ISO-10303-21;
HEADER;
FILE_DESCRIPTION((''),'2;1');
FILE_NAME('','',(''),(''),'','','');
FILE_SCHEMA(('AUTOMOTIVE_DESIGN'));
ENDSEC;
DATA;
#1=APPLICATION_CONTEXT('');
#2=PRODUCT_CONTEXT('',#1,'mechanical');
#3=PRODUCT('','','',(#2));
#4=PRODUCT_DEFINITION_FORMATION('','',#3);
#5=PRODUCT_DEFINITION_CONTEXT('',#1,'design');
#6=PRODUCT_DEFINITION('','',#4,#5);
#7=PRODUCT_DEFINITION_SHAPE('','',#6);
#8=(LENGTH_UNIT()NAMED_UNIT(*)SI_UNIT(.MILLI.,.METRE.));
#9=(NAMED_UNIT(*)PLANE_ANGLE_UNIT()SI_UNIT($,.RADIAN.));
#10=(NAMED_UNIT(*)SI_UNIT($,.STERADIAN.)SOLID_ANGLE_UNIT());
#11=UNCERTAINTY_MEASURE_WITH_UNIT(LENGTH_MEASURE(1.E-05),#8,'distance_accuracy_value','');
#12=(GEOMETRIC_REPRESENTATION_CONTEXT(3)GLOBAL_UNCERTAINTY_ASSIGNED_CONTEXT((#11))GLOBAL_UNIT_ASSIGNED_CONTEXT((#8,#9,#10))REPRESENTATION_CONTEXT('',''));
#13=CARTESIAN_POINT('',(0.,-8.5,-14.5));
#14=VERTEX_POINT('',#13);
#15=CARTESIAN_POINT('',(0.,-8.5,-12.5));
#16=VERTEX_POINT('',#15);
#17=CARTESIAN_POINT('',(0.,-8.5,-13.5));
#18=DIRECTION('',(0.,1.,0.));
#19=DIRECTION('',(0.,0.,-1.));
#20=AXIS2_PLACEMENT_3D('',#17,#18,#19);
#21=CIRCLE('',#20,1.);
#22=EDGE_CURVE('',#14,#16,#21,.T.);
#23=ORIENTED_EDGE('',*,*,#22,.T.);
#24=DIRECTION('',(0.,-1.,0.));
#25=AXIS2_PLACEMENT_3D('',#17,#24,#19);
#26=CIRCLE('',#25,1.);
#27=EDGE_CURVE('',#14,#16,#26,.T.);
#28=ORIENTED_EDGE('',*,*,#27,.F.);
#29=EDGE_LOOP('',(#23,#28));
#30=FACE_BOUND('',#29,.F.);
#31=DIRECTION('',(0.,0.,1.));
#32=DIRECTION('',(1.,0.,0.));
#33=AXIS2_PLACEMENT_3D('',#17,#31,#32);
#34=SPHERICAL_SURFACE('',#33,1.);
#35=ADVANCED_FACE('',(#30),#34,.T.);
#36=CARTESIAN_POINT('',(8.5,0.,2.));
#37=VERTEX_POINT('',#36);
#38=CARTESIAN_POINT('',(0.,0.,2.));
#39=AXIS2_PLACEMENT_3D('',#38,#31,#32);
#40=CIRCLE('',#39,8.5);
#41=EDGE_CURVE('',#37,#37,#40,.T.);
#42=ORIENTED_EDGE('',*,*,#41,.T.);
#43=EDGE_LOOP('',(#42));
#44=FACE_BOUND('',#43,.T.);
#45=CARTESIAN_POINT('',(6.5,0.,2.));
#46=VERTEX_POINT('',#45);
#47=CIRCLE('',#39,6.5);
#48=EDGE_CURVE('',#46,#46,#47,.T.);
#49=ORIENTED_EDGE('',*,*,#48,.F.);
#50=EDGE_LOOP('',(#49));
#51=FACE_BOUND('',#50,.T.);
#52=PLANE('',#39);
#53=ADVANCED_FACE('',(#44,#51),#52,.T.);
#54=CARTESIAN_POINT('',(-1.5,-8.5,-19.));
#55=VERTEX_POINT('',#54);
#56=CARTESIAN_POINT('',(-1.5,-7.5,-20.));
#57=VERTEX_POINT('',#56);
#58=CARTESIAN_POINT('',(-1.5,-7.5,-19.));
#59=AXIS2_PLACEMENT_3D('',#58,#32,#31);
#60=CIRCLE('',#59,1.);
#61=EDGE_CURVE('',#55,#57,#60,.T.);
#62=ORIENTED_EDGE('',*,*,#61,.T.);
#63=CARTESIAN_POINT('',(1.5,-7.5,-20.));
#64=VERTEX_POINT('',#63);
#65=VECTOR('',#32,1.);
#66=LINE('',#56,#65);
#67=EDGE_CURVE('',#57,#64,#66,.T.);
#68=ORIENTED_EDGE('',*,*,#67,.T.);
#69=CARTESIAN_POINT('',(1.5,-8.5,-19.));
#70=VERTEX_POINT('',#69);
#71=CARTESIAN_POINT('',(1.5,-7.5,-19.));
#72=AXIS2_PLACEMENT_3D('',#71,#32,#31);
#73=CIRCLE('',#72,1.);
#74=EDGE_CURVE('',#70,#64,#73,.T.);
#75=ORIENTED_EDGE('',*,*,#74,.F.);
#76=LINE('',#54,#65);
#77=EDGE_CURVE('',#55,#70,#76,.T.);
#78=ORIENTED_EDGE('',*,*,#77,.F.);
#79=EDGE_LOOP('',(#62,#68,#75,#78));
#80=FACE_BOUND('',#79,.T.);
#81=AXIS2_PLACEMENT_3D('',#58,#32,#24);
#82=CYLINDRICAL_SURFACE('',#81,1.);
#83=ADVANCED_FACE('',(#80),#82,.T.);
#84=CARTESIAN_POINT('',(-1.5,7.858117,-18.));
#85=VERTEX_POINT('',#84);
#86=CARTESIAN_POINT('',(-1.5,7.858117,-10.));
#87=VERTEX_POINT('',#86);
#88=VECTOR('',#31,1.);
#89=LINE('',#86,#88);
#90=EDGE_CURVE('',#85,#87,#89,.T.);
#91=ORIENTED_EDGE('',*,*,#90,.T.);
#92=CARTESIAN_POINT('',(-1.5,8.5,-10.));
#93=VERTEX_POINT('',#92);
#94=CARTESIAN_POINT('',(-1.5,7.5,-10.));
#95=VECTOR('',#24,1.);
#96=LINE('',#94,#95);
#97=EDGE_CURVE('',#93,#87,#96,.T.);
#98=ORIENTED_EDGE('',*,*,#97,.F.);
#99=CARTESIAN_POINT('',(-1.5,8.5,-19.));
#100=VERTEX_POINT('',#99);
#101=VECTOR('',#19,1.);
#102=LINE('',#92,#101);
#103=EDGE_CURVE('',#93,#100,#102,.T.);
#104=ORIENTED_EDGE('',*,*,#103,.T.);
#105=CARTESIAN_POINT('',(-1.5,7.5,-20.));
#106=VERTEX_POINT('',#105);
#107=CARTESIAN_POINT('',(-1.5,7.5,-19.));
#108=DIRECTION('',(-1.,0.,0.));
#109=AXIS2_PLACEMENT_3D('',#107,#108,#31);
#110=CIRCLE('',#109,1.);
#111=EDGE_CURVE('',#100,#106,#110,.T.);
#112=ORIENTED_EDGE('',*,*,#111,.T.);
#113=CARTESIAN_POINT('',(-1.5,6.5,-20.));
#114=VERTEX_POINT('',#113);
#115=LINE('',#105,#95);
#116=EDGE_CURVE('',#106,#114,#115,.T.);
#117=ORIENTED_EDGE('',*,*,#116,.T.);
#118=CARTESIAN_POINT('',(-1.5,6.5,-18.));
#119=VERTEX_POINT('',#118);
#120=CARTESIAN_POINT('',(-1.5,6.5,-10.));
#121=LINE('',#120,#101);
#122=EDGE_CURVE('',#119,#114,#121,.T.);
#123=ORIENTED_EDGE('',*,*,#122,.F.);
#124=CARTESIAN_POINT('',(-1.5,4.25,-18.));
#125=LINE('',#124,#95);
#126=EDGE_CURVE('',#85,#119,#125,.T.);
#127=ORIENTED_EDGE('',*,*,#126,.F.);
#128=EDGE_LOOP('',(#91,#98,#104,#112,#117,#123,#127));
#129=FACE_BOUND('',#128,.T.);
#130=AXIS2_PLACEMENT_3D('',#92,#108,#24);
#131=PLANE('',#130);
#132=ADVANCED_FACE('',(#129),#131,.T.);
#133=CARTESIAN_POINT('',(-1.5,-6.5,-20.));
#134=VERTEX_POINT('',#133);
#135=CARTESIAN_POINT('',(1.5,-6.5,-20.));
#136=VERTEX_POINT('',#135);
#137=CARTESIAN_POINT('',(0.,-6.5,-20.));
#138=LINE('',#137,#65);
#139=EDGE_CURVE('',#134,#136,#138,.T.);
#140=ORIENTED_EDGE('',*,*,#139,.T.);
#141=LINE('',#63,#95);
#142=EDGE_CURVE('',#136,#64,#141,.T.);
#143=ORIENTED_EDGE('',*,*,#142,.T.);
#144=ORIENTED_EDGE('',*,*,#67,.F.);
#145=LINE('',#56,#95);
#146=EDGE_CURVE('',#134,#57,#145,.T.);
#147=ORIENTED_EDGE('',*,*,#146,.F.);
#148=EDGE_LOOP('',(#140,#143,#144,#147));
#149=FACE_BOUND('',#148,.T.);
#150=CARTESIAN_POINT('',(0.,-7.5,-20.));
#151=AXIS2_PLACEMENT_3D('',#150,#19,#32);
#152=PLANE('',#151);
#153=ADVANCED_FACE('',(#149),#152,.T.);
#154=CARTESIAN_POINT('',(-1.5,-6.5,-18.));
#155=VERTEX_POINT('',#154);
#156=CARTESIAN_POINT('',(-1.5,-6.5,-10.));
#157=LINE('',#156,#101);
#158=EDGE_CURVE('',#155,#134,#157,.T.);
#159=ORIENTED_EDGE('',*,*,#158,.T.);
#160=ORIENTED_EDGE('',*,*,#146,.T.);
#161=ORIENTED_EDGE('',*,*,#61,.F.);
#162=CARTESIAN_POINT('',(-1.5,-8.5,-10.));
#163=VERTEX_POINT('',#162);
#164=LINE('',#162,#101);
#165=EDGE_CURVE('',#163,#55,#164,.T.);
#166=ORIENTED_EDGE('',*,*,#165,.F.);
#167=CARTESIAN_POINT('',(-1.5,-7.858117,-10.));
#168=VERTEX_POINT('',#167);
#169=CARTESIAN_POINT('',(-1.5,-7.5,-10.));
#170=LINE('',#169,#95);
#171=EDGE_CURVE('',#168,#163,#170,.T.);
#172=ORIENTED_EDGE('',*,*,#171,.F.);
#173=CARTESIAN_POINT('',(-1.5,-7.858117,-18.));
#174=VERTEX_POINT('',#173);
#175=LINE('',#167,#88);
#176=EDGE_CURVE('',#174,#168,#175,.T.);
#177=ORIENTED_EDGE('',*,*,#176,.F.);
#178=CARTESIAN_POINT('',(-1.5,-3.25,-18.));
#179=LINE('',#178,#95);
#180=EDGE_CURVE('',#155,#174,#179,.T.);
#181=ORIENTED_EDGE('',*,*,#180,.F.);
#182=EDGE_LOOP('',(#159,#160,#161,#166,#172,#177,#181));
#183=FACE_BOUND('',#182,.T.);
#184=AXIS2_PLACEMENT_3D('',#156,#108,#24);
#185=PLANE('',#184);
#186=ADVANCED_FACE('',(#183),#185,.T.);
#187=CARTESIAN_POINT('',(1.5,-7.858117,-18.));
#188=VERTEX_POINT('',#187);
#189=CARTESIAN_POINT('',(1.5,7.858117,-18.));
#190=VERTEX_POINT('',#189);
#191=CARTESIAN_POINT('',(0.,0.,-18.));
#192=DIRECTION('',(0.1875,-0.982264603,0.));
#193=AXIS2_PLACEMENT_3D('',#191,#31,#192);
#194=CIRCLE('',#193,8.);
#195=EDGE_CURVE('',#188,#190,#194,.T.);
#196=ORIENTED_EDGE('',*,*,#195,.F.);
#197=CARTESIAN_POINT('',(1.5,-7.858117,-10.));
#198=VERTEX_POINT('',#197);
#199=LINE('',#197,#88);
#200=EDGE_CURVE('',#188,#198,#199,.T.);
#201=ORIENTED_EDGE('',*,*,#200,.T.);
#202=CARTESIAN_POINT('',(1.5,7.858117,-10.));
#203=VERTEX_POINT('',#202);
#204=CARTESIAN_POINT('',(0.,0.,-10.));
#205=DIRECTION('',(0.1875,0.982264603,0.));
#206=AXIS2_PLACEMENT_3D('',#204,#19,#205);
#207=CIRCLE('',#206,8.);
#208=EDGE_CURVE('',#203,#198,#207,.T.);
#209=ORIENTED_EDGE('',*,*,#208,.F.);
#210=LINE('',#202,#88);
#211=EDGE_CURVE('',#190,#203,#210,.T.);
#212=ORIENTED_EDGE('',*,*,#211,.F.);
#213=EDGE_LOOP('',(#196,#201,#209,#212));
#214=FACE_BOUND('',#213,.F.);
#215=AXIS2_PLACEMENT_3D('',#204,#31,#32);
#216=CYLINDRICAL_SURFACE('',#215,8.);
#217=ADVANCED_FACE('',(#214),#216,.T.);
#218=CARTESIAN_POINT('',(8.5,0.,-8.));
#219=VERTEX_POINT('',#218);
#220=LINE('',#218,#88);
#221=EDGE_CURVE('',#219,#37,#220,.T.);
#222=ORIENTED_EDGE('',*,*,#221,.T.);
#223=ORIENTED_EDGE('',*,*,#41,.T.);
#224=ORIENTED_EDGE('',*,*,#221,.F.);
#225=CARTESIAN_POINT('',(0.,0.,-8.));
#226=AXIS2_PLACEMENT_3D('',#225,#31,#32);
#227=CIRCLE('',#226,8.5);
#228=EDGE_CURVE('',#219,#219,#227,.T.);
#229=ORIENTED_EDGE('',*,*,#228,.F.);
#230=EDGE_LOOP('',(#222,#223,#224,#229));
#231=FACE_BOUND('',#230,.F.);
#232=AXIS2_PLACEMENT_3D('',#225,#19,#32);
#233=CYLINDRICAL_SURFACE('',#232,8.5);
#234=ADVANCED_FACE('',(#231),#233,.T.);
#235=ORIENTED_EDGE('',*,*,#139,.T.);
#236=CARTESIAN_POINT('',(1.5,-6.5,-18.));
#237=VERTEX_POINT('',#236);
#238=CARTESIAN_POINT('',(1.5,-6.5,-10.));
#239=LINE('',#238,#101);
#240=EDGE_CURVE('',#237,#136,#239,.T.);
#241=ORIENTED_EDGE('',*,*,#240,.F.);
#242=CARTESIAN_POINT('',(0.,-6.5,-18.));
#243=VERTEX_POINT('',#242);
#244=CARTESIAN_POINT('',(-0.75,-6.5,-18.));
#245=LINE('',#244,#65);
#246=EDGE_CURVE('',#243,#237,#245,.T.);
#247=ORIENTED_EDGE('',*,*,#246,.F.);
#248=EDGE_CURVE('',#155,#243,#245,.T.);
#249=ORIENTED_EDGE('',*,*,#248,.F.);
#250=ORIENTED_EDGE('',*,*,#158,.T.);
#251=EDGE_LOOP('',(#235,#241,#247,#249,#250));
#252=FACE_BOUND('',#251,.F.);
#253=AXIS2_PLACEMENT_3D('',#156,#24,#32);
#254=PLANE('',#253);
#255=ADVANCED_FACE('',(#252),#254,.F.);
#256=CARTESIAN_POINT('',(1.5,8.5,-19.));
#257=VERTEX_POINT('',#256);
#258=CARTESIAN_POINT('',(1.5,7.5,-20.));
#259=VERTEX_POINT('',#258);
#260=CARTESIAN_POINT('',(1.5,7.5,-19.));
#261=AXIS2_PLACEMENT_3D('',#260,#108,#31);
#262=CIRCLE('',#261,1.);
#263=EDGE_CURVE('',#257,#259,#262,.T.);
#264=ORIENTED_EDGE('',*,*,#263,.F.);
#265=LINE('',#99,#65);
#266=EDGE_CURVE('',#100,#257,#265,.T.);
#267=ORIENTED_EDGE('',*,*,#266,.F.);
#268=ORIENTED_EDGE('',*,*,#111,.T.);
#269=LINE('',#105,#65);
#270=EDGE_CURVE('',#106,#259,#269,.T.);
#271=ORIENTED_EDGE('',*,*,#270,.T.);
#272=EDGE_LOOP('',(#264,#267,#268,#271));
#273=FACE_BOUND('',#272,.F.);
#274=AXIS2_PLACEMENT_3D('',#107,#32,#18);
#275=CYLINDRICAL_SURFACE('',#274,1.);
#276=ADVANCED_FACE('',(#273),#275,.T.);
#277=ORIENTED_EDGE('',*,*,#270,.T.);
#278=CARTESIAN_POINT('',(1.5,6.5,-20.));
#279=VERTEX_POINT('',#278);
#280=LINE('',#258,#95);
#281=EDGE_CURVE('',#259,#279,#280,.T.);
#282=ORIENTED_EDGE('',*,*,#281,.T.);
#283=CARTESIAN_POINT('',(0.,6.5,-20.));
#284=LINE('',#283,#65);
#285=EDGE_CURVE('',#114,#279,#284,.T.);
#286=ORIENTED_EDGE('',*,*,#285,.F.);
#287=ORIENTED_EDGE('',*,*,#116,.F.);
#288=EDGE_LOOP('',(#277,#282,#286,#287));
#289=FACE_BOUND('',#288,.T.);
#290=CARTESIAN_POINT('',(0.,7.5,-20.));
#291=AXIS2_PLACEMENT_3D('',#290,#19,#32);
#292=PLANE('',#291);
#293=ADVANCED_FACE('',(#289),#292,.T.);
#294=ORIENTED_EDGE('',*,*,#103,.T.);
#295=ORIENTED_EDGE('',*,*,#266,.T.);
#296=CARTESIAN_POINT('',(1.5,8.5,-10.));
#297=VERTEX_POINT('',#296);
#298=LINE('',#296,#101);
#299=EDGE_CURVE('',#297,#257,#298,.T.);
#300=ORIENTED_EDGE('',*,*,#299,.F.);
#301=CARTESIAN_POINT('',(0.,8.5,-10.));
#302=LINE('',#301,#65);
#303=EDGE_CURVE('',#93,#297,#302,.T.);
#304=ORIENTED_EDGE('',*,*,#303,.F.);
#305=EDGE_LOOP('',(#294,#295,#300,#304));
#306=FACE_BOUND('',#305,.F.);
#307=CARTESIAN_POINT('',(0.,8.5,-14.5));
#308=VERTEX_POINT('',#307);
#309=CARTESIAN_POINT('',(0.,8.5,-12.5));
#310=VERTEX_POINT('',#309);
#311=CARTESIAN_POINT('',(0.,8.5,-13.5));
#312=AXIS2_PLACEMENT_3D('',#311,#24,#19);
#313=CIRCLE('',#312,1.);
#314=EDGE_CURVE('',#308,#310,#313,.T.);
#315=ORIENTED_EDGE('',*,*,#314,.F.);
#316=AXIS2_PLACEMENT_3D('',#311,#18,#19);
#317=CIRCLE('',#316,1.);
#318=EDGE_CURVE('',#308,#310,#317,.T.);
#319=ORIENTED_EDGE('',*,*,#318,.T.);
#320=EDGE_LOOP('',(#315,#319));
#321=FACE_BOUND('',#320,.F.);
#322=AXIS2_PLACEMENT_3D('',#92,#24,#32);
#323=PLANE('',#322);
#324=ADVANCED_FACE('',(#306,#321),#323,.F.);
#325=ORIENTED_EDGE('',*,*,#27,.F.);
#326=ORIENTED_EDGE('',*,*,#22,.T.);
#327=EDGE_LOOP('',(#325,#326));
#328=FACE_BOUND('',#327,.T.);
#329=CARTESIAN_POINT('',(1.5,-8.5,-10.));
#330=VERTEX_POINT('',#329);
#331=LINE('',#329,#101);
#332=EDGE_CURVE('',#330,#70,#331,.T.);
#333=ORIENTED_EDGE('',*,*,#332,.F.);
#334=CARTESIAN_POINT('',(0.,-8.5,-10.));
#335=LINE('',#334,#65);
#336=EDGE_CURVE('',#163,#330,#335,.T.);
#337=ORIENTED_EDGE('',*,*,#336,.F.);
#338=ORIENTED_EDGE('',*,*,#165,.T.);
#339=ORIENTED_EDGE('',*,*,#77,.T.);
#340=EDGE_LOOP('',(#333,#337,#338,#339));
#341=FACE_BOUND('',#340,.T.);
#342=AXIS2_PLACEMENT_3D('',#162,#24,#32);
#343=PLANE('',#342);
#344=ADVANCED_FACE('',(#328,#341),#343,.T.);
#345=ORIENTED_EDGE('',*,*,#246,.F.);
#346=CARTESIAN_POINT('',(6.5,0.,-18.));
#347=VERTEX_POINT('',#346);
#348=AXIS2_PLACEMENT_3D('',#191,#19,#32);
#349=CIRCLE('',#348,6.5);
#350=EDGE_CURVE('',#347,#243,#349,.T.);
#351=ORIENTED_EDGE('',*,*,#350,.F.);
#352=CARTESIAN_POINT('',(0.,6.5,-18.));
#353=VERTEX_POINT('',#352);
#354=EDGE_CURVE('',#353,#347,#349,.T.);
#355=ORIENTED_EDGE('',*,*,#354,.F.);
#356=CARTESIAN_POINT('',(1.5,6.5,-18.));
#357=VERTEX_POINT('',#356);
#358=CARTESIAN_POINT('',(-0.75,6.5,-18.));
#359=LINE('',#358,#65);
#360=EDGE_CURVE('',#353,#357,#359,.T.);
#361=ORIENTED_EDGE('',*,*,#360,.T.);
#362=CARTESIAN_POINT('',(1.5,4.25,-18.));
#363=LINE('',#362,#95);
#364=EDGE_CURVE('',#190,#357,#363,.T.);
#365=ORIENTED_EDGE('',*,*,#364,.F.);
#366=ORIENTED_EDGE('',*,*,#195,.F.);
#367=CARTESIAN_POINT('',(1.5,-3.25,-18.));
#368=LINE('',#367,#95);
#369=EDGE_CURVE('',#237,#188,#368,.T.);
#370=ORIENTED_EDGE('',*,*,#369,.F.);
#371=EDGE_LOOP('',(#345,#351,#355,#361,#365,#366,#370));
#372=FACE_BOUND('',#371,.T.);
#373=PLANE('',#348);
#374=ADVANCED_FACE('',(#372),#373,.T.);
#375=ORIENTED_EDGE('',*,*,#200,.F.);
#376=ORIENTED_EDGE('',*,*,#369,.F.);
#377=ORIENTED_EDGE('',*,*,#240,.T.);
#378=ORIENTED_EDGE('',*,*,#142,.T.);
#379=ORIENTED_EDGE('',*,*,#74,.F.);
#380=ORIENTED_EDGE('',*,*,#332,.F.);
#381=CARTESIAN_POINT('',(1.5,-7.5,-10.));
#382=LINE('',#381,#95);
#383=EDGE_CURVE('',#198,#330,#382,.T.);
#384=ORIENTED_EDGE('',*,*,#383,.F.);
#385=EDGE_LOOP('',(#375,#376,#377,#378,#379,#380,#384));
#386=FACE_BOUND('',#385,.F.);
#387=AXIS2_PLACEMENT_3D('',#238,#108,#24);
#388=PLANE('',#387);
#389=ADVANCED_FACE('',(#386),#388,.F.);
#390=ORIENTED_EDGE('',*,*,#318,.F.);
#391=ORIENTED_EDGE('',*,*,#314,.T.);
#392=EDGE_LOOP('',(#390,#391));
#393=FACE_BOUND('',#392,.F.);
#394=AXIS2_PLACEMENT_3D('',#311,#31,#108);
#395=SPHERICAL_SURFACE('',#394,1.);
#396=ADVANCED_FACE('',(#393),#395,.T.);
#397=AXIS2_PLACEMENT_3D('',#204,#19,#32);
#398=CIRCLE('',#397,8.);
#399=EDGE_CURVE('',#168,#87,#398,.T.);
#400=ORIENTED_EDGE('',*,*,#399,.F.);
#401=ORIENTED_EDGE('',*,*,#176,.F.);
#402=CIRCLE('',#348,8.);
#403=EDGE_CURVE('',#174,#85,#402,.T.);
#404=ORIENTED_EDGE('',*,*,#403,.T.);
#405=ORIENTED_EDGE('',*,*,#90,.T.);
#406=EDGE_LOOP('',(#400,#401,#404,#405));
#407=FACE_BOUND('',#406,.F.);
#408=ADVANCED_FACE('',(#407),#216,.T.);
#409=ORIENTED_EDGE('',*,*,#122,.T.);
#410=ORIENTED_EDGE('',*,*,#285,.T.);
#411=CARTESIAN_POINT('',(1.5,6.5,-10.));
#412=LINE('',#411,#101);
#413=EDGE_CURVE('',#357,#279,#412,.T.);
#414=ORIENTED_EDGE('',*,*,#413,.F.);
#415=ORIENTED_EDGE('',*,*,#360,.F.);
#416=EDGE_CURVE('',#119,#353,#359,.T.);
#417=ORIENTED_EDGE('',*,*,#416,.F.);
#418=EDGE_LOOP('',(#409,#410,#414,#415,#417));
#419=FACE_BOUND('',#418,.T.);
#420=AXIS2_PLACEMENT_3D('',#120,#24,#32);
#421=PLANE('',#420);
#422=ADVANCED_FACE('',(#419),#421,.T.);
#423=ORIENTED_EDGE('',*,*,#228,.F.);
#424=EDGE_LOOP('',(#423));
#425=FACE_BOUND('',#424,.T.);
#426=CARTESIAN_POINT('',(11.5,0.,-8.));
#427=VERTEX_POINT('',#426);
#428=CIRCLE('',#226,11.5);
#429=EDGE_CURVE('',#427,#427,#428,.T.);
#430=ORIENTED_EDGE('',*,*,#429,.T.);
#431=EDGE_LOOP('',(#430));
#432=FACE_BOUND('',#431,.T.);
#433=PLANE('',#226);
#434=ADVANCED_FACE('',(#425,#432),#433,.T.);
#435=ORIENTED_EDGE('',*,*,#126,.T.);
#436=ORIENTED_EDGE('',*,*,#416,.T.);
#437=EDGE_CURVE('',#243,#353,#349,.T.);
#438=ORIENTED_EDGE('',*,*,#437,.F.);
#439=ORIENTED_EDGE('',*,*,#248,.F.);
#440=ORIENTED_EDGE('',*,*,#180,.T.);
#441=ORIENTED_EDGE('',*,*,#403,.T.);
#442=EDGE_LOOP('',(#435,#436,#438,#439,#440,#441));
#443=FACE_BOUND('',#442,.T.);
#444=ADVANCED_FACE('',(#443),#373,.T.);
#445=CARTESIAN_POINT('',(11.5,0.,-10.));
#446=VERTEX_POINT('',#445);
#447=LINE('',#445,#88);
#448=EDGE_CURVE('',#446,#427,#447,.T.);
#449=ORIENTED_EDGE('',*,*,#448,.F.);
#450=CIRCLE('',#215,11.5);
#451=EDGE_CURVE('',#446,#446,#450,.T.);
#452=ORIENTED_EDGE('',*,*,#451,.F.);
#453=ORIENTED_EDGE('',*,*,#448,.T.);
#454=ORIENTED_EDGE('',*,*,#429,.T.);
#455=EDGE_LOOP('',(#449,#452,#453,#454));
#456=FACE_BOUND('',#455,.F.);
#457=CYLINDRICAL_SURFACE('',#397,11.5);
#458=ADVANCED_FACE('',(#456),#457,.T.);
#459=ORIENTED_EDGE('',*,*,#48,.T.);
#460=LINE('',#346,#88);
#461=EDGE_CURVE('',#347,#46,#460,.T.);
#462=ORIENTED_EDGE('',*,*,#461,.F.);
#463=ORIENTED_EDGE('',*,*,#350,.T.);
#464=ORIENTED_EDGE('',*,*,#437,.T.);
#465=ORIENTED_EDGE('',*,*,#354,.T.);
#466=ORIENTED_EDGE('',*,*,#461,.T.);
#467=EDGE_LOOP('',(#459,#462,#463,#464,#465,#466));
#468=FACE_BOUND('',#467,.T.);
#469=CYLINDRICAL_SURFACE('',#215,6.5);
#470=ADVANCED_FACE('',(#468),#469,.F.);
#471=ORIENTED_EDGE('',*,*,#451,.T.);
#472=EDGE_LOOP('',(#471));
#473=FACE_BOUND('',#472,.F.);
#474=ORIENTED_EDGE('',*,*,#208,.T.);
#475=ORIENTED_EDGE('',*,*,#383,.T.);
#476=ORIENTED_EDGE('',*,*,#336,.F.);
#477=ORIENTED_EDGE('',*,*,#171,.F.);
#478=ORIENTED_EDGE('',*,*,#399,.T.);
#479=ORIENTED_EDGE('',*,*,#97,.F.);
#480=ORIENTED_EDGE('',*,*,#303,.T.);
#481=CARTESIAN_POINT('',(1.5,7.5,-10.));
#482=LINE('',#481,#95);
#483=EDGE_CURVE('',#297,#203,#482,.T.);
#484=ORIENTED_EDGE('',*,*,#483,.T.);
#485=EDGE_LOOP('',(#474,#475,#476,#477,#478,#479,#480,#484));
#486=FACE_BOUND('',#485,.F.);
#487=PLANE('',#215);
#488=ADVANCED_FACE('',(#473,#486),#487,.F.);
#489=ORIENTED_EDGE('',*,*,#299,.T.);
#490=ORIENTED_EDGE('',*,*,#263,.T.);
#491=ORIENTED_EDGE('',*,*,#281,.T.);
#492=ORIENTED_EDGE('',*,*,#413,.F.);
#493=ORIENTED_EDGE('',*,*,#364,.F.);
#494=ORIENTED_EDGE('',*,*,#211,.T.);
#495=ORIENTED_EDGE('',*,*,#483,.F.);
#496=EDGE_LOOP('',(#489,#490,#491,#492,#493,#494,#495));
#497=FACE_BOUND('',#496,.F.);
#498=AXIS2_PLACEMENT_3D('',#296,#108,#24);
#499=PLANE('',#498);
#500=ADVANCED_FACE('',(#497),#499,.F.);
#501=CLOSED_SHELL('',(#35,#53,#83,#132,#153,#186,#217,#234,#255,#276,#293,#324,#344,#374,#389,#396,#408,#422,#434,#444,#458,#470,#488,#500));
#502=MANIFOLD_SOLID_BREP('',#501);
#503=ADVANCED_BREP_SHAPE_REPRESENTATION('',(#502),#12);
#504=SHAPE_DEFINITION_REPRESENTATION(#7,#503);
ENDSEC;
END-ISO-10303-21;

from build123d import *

# Parameters (mm, degrees)
SKETCH140_R         = 11.5
SKETCH140_R_2       = 6.5
PAD054_DEPTH        = 2
SKETCH141_R         = 8.5
SKETCH141_R_2       = 6.5
PAD055_DEPTH        = 10
SKETCH142_W         = 3
SKETCH142_H         = 2
PAD056_DEPTH        = 10
REVOLUTION015_ANGLE = -180
REVOLUTION016_ANGLE = -180
FILLET_R            = 1
SKETCH171_R         = 8
SKETCH171_R_2       = 6.5
PAD068_DEPTH        = 8


with BuildPart() as part:
    # Sketch140 → Pad054 (new body)
    with BuildSketch(Plane.XY):
        Circle(SKETCH140_R)
        Circle(SKETCH140_R_2, mode=Mode.SUBTRACT)
    extrude(amount=PAD054_DEPTH)

    # Sketch141 (on Face4 of Pad054) → Pad055 (join)
    with BuildSketch(Plane.XY.offset(2)):
        Circle(SKETCH141_R)
        Circle(SKETCH141_R_2, mode=Mode.SUBTRACT)
    extrude(amount=PAD055_DEPTH)

    # Sketch142 (on Face2 of Pad055) → Pad056 (join)
    with BuildSketch(Plane(origin=(0, 0, 0), x_dir=(1, 0, 0), z_dir=(0, 0, -1))):
        with Locations((0, 7.5)):
            Rectangle(SKETCH142_W, SKETCH142_H)
        with Locations((0, -7.5)):
            Rectangle(SKETCH142_W, SKETCH142_H)
    extrude(amount=PAD056_DEPTH)

    # Sketch154 (on Face11 of Pad056) → Revolution015 (revolve)
    with BuildSketch(Plane.XZ.offset(8.5)):
        with BuildLine():
            ThreePointArc((0, -4.5), (1, -3.5), (0, -2.5))
            Line((0, -2.5), (0, -4.5))
        make_face()
    revolve(axis=Axis((0, -8.5, 0), (0, 0, 1)), revolution_arc=REVOLUTION015_ANGLE)

    # Sketch155 (on Face7 of Revolution015) → Revolution016 (revolve)
    with BuildSketch(Plane(origin=(0, 8.5, 0), x_dir=(-1, 0, 0), z_dir=(0, 1, 0))):
        with BuildLine():
            ThreePointArc((0, -4.5), (1, -3.5), (0, -2.5))
            Line((0, -2.5), (0, -4.5))
        make_face()
    revolve(axis=Axis((0, 8.5, 0), (0, 0, 1)), revolution_arc=REVOLUTION016_ANGLE)

    # Fillet
    fillet_edges = [part.edges().sort_by_distance(p)[0] for p in [
        (0, 8.5, -10),
        (0, -8.5, -10),
    ]]
    fillet(fillet_edges, radius=FILLET_R)

    # Sketch171 (on Face6 of Fillet) → Pad068 (join)
    with BuildSketch(Plane(origin=(0, 0, 0), x_dir=(1, 0, 0), z_dir=(0, 0, -1))):
        Circle(SKETCH171_R)
        Circle(SKETCH171_R_2, mode=Mode.SUBTRACT)
    extrude(amount=PAD068_DEPTH)


with BuildPart() as part_1:
    # Body placement: moved
    add(part.part.moved(Location((0, 0, -10))))


solid = part_1.part
